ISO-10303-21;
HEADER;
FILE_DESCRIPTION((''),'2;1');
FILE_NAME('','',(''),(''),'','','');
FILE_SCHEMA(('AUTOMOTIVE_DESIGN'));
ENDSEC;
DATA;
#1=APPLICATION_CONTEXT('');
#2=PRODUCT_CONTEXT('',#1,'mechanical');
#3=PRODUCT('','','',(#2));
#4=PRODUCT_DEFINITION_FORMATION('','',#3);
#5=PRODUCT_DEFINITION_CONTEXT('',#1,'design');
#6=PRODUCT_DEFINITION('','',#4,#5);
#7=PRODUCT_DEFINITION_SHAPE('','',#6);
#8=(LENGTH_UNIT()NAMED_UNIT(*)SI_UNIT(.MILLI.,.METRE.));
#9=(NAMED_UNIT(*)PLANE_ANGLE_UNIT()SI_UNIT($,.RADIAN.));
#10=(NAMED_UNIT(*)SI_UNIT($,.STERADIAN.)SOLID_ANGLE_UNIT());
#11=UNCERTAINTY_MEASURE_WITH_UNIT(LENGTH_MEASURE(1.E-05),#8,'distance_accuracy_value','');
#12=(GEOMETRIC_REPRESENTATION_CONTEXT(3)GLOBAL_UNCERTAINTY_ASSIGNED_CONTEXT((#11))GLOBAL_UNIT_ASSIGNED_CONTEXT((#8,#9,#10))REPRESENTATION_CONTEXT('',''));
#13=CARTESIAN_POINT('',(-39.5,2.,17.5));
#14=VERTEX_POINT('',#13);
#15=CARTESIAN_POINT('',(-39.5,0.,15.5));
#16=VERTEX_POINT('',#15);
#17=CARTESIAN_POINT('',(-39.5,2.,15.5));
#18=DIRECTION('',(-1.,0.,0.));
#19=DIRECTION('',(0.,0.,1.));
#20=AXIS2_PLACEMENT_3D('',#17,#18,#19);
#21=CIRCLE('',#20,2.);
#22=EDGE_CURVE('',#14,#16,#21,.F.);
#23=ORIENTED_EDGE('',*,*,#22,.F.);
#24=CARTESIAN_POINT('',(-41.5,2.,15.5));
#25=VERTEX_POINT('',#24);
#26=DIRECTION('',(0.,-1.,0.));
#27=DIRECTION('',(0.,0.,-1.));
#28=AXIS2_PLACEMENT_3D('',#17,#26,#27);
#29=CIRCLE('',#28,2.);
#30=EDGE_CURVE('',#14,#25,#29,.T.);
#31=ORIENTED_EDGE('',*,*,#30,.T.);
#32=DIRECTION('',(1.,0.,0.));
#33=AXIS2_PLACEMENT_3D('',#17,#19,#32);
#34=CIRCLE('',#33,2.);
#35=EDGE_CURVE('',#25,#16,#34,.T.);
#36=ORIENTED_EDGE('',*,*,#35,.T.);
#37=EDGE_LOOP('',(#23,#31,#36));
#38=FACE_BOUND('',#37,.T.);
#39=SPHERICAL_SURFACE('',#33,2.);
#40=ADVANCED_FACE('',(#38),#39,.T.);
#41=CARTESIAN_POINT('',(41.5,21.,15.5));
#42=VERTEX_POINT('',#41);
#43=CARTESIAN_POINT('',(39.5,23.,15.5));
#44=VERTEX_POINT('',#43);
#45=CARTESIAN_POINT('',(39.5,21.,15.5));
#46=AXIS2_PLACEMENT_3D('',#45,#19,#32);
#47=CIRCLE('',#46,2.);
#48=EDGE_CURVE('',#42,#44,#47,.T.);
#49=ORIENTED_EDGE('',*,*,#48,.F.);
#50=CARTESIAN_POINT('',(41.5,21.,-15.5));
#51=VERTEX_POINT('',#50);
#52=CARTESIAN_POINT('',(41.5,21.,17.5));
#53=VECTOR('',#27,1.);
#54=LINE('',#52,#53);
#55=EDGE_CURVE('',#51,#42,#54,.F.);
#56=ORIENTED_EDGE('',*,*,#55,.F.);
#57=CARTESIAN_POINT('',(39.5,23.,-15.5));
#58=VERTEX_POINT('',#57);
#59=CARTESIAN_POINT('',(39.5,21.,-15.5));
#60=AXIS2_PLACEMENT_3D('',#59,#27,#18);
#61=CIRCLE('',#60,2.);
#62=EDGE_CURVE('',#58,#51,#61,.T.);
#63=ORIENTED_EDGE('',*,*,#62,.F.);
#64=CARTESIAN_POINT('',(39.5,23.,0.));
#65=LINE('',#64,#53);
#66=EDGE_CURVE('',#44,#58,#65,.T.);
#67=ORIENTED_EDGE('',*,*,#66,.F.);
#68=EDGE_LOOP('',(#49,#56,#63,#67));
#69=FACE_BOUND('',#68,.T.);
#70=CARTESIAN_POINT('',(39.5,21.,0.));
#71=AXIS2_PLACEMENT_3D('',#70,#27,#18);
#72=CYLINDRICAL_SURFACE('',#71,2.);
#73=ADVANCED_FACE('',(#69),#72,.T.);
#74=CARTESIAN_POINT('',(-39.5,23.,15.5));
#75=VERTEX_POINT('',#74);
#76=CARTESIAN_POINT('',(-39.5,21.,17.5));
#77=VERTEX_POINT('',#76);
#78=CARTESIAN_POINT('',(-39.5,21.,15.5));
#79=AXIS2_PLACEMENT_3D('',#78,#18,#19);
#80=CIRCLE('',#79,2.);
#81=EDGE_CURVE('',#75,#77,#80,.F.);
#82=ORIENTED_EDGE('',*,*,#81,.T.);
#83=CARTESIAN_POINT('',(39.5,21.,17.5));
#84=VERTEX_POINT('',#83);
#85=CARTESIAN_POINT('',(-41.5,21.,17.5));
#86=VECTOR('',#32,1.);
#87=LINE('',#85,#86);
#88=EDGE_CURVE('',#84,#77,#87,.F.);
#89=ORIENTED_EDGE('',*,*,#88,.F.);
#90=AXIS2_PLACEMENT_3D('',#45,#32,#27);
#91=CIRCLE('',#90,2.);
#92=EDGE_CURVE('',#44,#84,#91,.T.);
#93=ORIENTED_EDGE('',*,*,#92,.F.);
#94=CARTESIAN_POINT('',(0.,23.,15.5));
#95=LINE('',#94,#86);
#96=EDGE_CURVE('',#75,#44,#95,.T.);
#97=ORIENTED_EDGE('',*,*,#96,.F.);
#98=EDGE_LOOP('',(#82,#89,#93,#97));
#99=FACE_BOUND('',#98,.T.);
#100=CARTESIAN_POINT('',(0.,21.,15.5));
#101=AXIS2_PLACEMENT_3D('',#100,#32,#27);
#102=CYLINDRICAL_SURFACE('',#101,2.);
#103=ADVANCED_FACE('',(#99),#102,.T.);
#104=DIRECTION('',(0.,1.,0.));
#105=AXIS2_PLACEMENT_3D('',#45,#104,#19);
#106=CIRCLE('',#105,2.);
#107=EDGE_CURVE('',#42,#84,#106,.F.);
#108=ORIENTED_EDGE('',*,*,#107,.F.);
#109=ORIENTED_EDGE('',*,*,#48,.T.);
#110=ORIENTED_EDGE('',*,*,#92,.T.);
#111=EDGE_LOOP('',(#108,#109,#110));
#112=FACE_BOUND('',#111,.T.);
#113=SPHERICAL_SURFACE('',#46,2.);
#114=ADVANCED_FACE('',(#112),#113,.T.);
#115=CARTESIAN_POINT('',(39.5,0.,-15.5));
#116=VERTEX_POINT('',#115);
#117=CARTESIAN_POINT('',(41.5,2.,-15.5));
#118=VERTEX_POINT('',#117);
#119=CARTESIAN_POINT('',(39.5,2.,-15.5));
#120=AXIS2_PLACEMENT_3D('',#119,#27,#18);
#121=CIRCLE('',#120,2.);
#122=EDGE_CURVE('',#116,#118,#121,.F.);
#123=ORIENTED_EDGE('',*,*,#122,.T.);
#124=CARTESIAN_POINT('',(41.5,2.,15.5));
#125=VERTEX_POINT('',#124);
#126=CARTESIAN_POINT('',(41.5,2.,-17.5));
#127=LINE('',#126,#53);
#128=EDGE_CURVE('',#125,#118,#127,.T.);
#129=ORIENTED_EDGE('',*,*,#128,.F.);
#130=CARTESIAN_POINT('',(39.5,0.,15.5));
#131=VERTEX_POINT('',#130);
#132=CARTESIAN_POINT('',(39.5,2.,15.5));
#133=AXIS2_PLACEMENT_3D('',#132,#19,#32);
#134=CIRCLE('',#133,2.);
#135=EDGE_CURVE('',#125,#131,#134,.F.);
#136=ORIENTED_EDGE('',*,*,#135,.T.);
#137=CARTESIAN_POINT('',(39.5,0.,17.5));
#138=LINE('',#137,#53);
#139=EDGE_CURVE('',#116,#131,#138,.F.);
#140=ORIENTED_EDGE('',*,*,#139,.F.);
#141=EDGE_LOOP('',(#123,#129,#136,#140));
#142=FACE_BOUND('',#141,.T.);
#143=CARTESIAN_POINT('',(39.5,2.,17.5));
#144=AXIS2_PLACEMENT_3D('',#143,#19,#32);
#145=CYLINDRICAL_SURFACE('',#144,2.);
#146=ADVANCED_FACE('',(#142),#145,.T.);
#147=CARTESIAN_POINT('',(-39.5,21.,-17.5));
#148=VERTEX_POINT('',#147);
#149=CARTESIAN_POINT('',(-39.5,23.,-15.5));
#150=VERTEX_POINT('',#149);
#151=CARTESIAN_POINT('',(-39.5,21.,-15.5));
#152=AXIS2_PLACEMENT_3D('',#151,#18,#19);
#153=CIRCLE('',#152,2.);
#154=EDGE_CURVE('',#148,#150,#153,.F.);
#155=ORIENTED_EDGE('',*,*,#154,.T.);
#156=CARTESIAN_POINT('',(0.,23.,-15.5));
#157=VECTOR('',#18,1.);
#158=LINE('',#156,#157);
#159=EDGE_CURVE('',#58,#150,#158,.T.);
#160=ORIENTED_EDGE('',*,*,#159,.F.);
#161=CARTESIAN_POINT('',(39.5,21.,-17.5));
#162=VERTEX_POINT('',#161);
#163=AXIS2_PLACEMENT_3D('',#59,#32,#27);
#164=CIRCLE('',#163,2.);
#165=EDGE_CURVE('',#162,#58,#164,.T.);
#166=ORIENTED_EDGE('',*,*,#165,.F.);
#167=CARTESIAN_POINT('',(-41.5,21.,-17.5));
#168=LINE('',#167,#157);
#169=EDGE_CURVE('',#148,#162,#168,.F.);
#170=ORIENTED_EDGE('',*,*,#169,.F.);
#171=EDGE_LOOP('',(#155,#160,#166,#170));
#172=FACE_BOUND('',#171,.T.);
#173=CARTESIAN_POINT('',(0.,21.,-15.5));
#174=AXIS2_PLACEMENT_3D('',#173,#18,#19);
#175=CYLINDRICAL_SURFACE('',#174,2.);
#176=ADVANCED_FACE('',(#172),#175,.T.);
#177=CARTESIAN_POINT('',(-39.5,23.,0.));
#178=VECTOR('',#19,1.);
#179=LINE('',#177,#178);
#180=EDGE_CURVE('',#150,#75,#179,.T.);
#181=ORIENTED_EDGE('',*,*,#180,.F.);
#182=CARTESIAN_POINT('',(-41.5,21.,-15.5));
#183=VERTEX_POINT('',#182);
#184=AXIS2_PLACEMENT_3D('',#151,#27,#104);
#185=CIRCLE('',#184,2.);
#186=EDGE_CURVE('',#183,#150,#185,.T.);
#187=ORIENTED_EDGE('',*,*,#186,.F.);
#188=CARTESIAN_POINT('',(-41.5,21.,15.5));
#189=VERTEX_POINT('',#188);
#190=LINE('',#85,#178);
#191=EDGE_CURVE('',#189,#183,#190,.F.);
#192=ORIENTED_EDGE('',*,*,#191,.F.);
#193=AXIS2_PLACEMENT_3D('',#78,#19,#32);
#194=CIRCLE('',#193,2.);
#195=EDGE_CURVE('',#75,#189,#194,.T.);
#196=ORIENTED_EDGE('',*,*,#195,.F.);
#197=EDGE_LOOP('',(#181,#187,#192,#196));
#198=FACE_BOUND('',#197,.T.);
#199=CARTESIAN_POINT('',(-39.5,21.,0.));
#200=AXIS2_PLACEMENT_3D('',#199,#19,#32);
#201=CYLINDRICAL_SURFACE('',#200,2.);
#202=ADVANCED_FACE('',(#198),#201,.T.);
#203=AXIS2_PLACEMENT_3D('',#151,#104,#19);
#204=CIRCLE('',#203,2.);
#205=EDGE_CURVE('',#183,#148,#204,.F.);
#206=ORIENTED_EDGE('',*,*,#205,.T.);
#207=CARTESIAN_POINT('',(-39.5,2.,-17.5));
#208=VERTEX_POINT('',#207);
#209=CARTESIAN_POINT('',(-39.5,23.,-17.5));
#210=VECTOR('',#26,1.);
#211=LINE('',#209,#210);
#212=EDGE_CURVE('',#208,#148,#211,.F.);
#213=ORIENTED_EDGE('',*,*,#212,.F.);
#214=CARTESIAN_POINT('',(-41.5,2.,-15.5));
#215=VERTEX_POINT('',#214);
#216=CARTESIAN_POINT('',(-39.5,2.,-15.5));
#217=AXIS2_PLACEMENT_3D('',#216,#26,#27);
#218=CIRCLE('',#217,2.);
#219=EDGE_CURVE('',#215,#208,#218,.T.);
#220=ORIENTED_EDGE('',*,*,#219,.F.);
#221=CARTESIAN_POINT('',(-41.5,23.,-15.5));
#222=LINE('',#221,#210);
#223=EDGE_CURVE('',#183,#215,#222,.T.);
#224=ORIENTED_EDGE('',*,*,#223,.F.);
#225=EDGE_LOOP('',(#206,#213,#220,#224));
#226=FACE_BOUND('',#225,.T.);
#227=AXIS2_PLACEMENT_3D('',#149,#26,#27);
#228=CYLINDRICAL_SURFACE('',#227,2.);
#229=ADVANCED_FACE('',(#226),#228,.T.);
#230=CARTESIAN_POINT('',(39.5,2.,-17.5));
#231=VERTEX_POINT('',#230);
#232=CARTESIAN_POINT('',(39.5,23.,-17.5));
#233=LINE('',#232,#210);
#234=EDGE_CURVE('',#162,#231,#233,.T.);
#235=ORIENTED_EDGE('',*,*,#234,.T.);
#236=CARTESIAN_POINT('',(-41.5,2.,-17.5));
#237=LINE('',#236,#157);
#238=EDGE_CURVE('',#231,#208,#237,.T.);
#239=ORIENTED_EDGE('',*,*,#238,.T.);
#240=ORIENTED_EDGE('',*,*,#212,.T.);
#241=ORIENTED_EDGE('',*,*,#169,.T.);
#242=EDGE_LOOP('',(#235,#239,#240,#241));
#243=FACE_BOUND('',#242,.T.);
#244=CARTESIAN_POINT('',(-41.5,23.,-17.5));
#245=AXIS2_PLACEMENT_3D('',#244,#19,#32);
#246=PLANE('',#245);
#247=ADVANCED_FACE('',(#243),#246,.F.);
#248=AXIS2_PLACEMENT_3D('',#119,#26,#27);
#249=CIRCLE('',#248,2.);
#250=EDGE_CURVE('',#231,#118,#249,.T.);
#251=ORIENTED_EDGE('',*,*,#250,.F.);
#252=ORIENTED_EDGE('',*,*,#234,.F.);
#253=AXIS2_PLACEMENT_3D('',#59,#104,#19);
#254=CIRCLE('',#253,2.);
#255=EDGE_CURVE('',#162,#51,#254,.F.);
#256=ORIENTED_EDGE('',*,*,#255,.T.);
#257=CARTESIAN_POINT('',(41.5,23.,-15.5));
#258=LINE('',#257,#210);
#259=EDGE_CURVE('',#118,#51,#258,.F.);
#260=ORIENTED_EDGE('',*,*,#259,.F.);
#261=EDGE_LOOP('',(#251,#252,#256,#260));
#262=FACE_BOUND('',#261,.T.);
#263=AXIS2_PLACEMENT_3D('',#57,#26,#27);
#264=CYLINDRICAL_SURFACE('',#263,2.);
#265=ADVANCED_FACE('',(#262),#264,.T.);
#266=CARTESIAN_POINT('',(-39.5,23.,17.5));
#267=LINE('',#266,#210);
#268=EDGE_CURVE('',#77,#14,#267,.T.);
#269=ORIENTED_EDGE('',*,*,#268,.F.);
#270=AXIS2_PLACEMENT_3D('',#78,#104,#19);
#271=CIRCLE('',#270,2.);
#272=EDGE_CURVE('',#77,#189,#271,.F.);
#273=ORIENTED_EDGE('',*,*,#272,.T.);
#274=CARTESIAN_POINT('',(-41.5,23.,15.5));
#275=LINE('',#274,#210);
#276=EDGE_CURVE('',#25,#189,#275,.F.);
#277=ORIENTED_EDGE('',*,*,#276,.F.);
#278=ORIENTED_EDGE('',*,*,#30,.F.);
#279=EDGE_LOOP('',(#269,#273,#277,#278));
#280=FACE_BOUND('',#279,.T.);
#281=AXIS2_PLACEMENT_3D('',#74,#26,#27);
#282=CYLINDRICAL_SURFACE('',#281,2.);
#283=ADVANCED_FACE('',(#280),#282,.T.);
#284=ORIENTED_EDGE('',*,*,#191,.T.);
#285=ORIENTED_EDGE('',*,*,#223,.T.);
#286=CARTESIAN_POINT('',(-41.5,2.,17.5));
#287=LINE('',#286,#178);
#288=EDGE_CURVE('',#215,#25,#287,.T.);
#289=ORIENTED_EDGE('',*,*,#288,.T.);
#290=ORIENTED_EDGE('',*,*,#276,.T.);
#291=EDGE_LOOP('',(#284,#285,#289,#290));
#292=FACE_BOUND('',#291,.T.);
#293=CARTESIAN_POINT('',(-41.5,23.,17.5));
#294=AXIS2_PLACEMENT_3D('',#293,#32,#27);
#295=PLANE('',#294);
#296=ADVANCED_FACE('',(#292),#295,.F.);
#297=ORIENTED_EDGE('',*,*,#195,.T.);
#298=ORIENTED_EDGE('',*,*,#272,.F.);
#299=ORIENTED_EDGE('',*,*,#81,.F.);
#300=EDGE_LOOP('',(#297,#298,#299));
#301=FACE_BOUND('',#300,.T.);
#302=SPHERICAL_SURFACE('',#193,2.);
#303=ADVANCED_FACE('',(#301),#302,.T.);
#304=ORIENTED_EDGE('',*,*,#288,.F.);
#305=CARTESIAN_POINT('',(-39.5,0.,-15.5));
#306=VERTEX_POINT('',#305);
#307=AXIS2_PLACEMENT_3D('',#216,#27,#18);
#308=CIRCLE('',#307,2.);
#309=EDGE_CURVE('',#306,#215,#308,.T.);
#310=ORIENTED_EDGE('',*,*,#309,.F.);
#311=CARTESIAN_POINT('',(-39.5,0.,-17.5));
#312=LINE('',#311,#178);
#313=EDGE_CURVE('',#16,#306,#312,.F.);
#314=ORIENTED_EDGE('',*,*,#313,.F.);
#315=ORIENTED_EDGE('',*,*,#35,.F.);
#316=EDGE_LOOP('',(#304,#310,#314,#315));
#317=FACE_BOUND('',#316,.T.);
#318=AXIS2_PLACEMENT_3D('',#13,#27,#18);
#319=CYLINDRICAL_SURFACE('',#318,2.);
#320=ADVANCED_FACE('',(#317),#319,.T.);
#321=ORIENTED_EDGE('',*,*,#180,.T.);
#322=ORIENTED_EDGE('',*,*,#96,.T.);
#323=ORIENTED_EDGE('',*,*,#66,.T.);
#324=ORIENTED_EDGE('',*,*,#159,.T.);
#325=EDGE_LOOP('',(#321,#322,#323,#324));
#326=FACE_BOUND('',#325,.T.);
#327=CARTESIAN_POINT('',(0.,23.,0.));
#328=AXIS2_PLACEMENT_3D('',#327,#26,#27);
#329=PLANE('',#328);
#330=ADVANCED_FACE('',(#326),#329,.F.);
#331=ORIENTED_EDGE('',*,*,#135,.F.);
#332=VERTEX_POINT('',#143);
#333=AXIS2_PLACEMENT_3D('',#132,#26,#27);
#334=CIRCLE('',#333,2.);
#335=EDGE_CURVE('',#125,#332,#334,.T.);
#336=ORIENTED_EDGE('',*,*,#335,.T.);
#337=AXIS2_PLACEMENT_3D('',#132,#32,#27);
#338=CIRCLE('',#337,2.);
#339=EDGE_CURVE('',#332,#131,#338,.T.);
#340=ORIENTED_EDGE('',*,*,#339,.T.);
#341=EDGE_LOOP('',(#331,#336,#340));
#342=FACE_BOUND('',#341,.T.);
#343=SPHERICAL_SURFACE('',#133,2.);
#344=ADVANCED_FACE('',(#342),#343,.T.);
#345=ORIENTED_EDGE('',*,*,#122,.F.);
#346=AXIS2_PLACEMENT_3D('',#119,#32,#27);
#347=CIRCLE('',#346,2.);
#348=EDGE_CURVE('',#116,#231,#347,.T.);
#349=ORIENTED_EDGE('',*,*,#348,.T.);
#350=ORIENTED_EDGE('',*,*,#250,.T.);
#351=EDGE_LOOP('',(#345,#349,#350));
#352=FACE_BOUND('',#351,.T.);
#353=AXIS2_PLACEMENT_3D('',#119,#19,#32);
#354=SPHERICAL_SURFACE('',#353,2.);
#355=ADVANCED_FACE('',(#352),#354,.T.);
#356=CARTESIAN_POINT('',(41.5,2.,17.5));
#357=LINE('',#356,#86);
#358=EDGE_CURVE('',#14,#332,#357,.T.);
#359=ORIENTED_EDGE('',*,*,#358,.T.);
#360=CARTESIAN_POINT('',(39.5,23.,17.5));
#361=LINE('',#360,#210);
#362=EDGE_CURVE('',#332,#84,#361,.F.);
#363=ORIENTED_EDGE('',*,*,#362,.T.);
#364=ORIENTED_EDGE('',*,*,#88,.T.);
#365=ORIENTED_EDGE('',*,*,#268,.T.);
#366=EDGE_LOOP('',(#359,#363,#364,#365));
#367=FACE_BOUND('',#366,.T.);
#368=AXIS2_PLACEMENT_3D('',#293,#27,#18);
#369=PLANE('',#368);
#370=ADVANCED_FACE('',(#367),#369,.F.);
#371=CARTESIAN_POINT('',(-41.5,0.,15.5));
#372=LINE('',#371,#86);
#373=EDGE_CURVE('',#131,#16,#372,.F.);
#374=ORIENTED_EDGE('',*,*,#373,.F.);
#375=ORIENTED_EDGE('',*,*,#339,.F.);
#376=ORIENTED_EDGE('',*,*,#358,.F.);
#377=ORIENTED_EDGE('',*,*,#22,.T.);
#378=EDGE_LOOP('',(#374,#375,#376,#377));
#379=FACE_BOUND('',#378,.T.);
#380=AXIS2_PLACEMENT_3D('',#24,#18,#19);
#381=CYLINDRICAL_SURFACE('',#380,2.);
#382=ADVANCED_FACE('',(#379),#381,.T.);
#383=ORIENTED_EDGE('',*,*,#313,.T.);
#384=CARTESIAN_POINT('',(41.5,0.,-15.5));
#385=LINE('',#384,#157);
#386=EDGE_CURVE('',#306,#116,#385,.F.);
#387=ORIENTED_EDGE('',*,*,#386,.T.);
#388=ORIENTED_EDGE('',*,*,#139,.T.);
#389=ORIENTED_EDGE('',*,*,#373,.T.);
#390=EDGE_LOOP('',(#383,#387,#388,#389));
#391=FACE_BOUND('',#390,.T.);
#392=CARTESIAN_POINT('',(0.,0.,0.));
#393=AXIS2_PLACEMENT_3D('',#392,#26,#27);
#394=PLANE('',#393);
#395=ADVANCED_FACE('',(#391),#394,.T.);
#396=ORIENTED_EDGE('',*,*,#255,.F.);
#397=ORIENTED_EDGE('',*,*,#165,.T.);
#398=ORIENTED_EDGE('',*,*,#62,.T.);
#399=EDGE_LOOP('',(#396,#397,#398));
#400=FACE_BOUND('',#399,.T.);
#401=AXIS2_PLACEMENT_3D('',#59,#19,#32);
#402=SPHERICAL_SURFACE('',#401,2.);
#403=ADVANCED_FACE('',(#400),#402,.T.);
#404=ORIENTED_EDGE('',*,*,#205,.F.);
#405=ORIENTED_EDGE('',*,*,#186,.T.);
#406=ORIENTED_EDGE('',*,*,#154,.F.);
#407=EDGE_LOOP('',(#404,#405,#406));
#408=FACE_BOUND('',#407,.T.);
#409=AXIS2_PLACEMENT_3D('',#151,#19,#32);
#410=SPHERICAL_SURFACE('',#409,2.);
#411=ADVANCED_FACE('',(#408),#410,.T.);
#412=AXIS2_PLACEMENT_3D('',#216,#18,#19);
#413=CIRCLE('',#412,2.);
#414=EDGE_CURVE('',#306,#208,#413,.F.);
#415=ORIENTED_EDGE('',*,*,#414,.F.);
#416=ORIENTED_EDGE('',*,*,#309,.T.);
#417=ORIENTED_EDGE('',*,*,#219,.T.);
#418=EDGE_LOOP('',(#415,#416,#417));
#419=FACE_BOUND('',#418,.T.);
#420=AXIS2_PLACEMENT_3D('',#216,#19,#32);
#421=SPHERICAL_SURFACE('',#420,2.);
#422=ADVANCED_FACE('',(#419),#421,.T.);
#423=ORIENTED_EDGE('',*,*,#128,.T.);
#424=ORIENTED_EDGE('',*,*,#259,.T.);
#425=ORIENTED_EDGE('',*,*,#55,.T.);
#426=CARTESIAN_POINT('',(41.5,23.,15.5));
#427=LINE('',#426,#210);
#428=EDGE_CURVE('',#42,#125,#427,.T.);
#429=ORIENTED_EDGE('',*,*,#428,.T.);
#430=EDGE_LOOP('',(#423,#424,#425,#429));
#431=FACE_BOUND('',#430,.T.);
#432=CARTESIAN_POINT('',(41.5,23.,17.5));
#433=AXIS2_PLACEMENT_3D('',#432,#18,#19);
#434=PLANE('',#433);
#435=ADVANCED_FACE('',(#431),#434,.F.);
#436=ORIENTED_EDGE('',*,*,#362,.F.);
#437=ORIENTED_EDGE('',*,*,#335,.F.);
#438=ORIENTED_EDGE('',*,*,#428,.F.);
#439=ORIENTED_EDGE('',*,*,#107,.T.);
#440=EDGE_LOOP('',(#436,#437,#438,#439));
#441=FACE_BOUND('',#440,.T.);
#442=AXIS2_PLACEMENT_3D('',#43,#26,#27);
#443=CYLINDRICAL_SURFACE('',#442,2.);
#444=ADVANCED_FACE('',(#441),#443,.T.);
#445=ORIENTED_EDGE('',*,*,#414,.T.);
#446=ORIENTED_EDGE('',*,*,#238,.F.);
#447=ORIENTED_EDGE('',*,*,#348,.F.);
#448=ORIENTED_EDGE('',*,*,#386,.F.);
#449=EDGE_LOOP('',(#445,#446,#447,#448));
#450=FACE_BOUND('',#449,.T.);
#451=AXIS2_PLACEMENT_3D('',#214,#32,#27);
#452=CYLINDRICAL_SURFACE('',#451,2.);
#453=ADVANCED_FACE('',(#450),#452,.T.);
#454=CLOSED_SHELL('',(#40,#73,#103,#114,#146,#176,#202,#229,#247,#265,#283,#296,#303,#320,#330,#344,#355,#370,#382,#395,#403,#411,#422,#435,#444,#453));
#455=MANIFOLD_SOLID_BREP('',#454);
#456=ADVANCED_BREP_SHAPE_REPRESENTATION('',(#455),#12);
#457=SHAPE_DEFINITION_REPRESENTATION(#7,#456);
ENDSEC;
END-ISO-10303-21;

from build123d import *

# Parameters (mm, degrees)
SKETCH_1_W      = 83
SKETCH_1_H      = 35
EXTRUDE_1_DEPTH = 23
FILLET_1_R      = 2


with BuildPart() as part:
    # 草图1 → 凸台-拉伸1 (new body)
    with BuildSketch(Plane(origin=(0, 0, 0), x_dir=(1, 0, 0), z_dir=(0, 1, 0))):
        Rectangle(SKETCH_1_W, SKETCH_1_H)
    extrude(amount=EXTRUDE_1_DEPTH)

    # 圆角1
    fillet_1_edges = [part.edges().sort_by_distance(p)[0] for p in [
        (-41.5, 23, 0),
        (0, 23, 17.5),
        (41.5, 23, 0),
        (0, 0, 17.5),
        (-41.5, 0, 0),
        (0, 0, -17.5),
        (41.5, 0, 0),
        (0, 23, -17.5),
        (41.5, 11.5, 17.5),
        (-41.5, 11.5, 17.5),
        (-41.5, 11.5, -17.5),
        (41.5, 11.5, -17.5),
    ]]
    fillet(fillet_1_edges, radius=FILLET_1_R)


solid = part.part
